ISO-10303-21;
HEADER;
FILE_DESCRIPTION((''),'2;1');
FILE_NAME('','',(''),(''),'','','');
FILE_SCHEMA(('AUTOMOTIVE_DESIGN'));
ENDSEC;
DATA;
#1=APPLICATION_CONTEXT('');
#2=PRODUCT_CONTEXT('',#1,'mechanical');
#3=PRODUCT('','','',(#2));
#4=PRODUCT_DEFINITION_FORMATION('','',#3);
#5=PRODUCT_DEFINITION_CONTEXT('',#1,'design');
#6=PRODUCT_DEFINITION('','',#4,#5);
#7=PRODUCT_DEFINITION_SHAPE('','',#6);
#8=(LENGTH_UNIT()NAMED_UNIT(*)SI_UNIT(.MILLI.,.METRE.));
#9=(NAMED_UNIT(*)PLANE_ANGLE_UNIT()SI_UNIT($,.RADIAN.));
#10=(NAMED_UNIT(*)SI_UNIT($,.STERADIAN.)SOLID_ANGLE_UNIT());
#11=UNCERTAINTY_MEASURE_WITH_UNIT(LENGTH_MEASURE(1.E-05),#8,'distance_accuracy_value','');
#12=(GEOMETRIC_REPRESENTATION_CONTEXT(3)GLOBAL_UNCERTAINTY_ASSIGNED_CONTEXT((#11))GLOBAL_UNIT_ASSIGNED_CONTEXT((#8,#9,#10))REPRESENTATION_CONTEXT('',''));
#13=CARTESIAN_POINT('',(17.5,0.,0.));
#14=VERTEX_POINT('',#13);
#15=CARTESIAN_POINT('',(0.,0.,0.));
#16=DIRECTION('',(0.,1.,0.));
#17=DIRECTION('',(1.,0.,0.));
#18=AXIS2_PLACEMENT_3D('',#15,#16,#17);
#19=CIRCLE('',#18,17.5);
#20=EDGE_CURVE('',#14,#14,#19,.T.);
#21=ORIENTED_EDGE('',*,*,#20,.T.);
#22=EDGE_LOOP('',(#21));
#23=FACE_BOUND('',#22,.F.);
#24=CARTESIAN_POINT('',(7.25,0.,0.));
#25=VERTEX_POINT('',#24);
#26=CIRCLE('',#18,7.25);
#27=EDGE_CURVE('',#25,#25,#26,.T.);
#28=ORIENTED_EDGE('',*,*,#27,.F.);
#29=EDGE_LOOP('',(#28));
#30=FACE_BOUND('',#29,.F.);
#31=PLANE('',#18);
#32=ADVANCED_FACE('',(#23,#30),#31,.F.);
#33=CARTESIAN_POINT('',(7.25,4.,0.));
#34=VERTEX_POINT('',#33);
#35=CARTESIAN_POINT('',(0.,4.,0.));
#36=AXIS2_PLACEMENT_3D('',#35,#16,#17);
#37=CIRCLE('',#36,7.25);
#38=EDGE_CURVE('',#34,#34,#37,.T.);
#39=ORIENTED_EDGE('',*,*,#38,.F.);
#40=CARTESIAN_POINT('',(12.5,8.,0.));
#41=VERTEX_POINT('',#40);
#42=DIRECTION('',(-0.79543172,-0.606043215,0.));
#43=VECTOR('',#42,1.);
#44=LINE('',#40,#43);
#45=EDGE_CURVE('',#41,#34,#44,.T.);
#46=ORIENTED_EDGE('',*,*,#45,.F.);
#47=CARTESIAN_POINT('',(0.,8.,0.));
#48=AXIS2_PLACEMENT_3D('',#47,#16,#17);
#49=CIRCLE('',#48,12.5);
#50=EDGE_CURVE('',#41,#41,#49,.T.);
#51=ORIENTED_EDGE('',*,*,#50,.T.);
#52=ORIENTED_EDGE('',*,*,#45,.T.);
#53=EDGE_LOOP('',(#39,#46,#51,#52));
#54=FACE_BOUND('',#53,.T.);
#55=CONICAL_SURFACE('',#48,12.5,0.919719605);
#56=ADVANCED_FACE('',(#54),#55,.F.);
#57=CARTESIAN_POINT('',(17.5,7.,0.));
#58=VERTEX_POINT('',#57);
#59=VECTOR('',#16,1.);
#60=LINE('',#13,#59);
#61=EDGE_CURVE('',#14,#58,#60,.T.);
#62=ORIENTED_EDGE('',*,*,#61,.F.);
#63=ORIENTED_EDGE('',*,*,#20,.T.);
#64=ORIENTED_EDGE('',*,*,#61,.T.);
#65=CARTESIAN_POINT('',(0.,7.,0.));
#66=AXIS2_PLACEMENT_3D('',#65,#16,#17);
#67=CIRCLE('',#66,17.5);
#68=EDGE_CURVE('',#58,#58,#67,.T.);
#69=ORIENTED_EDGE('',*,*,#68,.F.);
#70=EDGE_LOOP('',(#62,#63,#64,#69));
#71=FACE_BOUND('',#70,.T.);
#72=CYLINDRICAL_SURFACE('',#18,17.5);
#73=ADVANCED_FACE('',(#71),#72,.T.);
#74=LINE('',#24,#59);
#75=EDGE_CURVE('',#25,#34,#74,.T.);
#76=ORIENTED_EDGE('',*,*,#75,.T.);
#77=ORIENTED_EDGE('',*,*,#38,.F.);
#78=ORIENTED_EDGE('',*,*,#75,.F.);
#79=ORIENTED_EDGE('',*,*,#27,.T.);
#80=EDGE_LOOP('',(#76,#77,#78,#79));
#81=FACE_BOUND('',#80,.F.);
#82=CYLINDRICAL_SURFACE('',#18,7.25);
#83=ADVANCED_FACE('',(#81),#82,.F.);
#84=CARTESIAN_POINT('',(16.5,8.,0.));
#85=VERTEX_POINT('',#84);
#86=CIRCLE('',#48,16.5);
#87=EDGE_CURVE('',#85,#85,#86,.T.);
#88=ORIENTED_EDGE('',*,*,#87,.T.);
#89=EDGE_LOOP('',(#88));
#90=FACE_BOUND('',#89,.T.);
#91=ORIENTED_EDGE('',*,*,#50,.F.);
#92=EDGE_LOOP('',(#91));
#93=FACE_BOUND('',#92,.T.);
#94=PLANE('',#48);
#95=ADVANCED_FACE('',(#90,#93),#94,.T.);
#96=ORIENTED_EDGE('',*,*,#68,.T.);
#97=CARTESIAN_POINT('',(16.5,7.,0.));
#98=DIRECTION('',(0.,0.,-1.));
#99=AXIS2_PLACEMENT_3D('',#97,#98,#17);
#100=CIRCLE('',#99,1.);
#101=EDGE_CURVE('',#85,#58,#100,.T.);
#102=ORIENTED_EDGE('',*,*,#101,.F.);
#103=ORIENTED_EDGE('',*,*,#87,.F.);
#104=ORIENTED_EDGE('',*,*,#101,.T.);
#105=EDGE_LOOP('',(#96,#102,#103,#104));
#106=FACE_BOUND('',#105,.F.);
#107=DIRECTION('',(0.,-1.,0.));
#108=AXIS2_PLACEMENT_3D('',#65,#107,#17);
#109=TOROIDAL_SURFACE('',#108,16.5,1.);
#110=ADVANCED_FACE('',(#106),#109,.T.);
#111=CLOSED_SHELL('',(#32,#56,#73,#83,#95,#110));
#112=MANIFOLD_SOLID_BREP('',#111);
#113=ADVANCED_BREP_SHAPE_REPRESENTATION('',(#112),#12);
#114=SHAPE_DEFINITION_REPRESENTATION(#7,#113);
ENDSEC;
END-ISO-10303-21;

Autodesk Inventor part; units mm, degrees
ref_plane "YZ Plane" through (0, 0, 0) normal (1, 0, 0) x (0, 1, 0)
ref_plane "XZ Plane" through (0, 0, 0) normal (0, 1, 0) x (-1, 0, 0)
ref_plane "XY Plane" through (0, 0, 0) normal (0, 0, 1) x (1, 0, 0)
sketch "Sketch1" plane through (0, 0, 0) normal (0, 0, 1) x (1, 0, 0)
  line L0 (17.5, 0) -> (7.25, 0)
  line L1 (7.25, 0) -> (7.25, 4)
  line L2 (17.5, 0) -> (17.5, 8)
  line L3 (17.5, 8) -> (12.5, 8)
  line L4 (12.5, 8) -> (7.25, 4)
  line L5 (0, -1.6) -> (0, 9.6) projected
  point P0 (0, 0)
  dimension "d0" = 10.25
  dimension "d1" = 4
  dimension "d2" = 8
  dimension "d3" = 5
revolve "Revolution1" add sketch "Sketch1" angle 360 about axis through (0, -10, 0) along (0, 1, 0)
fillet "Fillet1" radius 1 1 edges at (-17.5, 8, 0)
properties part number "Washer"
